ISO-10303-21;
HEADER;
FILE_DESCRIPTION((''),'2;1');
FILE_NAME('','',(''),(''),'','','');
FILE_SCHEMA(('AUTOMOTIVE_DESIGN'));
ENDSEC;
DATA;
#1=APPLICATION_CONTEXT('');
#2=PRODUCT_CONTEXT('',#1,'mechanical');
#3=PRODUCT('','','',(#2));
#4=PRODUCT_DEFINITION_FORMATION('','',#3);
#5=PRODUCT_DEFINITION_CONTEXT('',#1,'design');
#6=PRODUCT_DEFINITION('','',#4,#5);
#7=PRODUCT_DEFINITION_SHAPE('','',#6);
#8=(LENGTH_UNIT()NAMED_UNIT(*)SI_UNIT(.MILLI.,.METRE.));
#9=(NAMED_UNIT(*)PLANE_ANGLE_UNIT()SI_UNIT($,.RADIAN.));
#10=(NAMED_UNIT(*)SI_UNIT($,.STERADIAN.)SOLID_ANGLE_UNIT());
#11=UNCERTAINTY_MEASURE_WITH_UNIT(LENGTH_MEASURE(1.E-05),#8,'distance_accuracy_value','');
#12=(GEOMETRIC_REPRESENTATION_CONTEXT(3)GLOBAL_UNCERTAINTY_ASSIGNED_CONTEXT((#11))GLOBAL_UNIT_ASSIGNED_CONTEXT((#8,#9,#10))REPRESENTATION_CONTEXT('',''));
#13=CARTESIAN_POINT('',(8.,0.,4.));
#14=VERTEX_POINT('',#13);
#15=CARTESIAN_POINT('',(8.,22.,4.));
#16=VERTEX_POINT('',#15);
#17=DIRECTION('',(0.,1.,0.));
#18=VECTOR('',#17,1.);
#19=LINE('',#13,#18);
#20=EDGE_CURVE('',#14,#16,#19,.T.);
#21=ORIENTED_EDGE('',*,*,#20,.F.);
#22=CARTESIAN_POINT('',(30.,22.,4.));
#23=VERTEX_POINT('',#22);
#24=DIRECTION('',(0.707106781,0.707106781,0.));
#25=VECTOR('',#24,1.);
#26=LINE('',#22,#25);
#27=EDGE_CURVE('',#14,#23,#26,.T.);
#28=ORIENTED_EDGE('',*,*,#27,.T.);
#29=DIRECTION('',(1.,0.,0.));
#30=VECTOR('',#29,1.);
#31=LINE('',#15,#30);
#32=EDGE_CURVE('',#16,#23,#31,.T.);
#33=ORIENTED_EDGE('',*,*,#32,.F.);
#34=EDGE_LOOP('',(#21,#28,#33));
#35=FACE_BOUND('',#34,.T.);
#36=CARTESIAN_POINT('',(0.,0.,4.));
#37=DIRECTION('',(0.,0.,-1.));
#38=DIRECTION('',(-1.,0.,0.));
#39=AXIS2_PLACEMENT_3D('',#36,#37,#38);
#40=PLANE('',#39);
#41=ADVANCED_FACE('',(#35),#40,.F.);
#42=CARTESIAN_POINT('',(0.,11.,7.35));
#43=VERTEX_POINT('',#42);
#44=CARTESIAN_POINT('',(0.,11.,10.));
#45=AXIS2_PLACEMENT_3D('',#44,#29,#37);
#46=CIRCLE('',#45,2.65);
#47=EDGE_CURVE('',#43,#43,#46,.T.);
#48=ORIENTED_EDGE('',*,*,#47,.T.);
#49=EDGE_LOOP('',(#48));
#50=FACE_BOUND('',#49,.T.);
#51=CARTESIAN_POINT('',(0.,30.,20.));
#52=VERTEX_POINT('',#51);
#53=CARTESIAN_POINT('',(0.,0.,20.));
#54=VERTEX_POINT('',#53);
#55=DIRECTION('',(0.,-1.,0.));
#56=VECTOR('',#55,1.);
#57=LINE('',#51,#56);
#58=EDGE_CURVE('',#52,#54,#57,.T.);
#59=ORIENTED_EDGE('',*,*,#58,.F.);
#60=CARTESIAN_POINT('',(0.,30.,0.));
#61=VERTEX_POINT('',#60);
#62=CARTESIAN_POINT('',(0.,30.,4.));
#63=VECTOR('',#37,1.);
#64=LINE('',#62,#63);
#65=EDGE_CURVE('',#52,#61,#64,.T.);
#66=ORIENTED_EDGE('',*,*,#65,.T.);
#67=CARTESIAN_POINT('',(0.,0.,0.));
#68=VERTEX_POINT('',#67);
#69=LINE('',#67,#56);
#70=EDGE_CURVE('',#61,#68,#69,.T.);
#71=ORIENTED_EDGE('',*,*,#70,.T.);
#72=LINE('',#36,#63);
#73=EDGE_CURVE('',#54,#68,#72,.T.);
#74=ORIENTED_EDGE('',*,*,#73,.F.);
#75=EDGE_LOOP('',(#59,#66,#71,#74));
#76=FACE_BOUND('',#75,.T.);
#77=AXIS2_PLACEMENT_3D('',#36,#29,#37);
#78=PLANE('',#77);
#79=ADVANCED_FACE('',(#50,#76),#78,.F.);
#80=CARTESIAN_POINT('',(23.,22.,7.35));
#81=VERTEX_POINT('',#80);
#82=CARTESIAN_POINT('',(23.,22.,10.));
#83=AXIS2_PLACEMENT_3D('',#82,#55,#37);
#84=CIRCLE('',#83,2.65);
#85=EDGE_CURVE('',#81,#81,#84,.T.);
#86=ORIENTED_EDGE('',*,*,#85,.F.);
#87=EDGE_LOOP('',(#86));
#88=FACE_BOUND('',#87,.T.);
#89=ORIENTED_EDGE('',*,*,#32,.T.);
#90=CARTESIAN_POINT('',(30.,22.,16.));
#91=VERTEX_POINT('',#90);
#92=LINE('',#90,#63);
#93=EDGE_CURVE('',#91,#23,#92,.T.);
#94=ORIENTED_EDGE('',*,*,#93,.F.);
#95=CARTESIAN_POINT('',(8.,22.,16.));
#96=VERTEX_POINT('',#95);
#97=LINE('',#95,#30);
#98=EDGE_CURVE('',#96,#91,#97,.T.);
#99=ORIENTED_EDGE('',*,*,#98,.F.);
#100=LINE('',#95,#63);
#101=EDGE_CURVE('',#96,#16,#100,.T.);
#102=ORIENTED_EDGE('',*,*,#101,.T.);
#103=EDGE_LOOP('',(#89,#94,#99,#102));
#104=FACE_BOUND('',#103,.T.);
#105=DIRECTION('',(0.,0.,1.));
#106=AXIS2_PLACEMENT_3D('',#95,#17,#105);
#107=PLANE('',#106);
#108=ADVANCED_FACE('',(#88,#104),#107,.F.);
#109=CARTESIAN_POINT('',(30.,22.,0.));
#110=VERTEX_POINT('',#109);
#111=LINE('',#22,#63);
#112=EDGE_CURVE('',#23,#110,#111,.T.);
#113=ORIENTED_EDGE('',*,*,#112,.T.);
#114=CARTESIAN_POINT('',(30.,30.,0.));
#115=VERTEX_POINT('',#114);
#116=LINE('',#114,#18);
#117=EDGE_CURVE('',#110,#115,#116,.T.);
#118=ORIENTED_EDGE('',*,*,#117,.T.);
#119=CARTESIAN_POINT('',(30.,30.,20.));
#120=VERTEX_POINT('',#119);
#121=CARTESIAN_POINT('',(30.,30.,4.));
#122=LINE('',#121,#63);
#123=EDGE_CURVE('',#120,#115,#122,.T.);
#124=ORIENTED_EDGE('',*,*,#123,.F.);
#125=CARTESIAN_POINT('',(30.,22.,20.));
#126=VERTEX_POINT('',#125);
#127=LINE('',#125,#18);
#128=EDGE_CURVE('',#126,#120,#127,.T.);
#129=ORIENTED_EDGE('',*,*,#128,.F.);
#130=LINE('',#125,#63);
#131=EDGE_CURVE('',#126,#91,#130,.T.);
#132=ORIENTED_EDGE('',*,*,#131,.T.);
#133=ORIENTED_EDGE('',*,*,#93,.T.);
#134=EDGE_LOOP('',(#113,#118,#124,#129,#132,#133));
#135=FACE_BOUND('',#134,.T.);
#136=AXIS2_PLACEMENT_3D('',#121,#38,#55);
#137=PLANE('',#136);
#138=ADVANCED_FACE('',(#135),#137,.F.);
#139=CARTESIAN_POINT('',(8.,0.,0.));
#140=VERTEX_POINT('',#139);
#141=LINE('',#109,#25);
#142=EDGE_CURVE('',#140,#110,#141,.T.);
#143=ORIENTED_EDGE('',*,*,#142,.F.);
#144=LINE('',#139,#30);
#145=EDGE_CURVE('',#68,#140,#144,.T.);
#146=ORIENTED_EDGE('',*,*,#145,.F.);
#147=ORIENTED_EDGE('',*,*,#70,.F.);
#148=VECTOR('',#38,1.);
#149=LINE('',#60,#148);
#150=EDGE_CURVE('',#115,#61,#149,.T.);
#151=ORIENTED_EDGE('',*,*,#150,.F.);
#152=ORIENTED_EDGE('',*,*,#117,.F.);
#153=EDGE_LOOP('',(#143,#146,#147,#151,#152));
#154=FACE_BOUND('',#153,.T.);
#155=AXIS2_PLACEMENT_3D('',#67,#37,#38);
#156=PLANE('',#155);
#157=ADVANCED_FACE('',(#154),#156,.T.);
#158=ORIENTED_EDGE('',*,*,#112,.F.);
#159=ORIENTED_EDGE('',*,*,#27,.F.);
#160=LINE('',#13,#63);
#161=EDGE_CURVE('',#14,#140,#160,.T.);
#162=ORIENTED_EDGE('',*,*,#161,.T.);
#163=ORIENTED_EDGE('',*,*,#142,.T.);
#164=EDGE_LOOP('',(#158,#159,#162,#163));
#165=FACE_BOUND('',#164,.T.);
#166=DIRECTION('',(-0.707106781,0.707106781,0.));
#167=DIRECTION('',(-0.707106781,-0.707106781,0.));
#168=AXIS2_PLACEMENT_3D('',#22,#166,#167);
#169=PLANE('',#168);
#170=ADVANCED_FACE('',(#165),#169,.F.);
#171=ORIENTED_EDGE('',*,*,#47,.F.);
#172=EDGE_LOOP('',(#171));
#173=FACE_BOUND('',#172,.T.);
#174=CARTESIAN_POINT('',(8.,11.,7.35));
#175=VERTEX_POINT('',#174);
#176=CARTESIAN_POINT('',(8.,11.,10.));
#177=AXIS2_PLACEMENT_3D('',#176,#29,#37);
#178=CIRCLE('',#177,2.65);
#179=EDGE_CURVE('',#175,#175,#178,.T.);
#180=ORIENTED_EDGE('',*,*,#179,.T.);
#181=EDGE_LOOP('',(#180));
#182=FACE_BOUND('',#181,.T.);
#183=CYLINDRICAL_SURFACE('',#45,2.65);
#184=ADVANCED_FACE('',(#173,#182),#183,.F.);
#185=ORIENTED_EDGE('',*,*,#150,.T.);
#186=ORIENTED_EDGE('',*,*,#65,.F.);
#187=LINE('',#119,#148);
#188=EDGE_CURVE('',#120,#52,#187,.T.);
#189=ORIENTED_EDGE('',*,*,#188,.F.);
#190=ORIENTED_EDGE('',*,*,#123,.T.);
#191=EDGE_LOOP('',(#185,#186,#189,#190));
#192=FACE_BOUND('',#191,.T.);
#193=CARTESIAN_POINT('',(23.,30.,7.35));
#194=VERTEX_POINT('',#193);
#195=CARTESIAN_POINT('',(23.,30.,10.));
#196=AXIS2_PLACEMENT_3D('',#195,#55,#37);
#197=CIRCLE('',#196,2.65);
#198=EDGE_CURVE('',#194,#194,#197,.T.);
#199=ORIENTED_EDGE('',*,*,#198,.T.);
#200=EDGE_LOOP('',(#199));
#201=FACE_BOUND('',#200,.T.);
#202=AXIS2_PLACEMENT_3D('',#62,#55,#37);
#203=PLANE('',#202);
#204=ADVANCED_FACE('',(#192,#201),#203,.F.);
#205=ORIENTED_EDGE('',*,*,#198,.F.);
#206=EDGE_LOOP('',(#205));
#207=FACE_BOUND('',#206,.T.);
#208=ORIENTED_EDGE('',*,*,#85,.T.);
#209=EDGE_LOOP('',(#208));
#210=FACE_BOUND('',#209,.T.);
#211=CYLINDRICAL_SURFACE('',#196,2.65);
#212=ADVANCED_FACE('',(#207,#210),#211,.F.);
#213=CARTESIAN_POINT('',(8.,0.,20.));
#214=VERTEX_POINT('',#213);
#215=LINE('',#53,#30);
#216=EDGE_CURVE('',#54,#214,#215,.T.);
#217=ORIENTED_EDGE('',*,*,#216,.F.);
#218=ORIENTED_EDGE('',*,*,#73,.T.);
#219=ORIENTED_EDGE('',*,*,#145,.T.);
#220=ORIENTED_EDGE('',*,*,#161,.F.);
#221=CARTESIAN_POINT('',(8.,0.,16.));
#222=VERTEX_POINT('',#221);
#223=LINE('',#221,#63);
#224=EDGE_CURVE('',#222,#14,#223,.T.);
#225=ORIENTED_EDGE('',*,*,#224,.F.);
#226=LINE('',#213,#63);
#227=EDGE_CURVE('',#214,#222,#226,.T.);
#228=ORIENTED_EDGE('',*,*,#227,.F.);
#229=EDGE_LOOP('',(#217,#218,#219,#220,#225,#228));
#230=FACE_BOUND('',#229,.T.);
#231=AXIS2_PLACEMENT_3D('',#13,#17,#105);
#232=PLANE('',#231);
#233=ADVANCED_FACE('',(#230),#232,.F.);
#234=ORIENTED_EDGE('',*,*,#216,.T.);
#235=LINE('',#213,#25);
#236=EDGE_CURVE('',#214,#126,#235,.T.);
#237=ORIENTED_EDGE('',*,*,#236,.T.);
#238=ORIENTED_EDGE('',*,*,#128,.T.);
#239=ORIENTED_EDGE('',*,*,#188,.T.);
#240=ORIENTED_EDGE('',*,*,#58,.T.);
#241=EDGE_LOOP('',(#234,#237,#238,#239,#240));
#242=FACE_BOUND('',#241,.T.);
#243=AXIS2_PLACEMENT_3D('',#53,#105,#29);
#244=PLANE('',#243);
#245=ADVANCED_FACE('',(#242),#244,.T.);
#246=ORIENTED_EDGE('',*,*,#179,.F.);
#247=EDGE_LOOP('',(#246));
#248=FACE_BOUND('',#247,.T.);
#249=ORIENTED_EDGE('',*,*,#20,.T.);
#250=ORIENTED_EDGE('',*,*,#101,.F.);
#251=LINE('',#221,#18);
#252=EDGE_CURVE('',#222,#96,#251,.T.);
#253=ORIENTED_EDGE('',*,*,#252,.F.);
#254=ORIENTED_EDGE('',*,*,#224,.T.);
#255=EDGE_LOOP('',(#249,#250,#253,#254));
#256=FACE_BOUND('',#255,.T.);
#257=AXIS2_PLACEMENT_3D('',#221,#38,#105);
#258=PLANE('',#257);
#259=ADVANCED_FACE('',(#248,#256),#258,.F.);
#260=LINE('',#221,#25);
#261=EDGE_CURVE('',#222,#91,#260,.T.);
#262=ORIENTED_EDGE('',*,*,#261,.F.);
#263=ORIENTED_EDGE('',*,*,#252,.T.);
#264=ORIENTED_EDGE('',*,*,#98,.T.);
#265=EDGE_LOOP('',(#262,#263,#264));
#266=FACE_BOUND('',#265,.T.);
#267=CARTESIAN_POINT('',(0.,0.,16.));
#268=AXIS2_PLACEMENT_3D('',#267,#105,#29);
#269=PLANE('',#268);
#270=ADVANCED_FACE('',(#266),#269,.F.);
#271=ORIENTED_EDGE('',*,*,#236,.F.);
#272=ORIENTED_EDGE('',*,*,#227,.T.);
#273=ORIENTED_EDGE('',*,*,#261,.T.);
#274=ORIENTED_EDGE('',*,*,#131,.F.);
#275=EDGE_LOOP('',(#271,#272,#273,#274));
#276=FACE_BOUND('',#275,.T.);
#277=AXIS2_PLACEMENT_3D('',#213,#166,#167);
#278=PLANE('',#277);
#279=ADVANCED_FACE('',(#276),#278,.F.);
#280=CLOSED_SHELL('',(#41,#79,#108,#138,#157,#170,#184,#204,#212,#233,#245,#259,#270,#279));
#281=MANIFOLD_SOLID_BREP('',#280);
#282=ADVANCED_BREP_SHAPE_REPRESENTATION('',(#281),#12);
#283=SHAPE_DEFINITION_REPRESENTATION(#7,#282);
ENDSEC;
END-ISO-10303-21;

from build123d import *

# Parameters (mm, degrees)
BOSS_EXTRUDE1_DEPTH = 4
BOSS_EXTRUDE2_DEPTH = 12
BOSS_EXTRUDE3_DEPTH = 4
SKETCH4_R           = 2.65
CUT_EXTRUDE1_DEPTH  = 8
SKETCH5_R           = 2.65
CUT_EXTRUDE2_DEPTH  = 8


with BuildPart() as part:
    # Sketch1 → Boss-Extrude1 (new body)
    with BuildSketch(Plane.XY):
        Polygon((0, 0), (0, 30), (30, 30), (30, 22), (8, 0), align=None)
    extrude(amount=BOSS_EXTRUDE1_DEPTH)

    # Sketch2 → Boss-Extrude2 (add)
    with BuildSketch(Plane.XY.offset(4)):
        Polygon((0, 0), (8, 0), (8, 22), (30, 22), (30, 30), (0, 30), align=None)
    extrude(amount=BOSS_EXTRUDE2_DEPTH)

    # Sketch3 → Boss-Extrude3 (add)
    with BuildSketch(Plane.XY.offset(16)):
        Polygon((0, 30), (0, 0), (8, 0), (30, 22), (30, 30), align=None)
    extrude(amount=BOSS_EXTRUDE3_DEPTH)

    # Sketch4 → Cut-Extrude1 (cut)
    with BuildSketch(Plane(origin=(8, 0, 0), x_dir=(0, 0, -1), z_dir=(1, 0, 0))):
        with Locations((-10, 11)):
            Circle(SKETCH4_R)
    extrude(amount=-CUT_EXTRUDE1_DEPTH, mode=Mode.SUBTRACT)

    # Sketch5 → Cut-Extrude2 (cut)
    with BuildSketch(Plane.XZ.offset(-22)):
        with Locations((23, 10)):
            Circle(SKETCH5_R)
    extrude(amount=-CUT_EXTRUDE2_DEPTH, mode=Mode.SUBTRACT)


solid = part.part
